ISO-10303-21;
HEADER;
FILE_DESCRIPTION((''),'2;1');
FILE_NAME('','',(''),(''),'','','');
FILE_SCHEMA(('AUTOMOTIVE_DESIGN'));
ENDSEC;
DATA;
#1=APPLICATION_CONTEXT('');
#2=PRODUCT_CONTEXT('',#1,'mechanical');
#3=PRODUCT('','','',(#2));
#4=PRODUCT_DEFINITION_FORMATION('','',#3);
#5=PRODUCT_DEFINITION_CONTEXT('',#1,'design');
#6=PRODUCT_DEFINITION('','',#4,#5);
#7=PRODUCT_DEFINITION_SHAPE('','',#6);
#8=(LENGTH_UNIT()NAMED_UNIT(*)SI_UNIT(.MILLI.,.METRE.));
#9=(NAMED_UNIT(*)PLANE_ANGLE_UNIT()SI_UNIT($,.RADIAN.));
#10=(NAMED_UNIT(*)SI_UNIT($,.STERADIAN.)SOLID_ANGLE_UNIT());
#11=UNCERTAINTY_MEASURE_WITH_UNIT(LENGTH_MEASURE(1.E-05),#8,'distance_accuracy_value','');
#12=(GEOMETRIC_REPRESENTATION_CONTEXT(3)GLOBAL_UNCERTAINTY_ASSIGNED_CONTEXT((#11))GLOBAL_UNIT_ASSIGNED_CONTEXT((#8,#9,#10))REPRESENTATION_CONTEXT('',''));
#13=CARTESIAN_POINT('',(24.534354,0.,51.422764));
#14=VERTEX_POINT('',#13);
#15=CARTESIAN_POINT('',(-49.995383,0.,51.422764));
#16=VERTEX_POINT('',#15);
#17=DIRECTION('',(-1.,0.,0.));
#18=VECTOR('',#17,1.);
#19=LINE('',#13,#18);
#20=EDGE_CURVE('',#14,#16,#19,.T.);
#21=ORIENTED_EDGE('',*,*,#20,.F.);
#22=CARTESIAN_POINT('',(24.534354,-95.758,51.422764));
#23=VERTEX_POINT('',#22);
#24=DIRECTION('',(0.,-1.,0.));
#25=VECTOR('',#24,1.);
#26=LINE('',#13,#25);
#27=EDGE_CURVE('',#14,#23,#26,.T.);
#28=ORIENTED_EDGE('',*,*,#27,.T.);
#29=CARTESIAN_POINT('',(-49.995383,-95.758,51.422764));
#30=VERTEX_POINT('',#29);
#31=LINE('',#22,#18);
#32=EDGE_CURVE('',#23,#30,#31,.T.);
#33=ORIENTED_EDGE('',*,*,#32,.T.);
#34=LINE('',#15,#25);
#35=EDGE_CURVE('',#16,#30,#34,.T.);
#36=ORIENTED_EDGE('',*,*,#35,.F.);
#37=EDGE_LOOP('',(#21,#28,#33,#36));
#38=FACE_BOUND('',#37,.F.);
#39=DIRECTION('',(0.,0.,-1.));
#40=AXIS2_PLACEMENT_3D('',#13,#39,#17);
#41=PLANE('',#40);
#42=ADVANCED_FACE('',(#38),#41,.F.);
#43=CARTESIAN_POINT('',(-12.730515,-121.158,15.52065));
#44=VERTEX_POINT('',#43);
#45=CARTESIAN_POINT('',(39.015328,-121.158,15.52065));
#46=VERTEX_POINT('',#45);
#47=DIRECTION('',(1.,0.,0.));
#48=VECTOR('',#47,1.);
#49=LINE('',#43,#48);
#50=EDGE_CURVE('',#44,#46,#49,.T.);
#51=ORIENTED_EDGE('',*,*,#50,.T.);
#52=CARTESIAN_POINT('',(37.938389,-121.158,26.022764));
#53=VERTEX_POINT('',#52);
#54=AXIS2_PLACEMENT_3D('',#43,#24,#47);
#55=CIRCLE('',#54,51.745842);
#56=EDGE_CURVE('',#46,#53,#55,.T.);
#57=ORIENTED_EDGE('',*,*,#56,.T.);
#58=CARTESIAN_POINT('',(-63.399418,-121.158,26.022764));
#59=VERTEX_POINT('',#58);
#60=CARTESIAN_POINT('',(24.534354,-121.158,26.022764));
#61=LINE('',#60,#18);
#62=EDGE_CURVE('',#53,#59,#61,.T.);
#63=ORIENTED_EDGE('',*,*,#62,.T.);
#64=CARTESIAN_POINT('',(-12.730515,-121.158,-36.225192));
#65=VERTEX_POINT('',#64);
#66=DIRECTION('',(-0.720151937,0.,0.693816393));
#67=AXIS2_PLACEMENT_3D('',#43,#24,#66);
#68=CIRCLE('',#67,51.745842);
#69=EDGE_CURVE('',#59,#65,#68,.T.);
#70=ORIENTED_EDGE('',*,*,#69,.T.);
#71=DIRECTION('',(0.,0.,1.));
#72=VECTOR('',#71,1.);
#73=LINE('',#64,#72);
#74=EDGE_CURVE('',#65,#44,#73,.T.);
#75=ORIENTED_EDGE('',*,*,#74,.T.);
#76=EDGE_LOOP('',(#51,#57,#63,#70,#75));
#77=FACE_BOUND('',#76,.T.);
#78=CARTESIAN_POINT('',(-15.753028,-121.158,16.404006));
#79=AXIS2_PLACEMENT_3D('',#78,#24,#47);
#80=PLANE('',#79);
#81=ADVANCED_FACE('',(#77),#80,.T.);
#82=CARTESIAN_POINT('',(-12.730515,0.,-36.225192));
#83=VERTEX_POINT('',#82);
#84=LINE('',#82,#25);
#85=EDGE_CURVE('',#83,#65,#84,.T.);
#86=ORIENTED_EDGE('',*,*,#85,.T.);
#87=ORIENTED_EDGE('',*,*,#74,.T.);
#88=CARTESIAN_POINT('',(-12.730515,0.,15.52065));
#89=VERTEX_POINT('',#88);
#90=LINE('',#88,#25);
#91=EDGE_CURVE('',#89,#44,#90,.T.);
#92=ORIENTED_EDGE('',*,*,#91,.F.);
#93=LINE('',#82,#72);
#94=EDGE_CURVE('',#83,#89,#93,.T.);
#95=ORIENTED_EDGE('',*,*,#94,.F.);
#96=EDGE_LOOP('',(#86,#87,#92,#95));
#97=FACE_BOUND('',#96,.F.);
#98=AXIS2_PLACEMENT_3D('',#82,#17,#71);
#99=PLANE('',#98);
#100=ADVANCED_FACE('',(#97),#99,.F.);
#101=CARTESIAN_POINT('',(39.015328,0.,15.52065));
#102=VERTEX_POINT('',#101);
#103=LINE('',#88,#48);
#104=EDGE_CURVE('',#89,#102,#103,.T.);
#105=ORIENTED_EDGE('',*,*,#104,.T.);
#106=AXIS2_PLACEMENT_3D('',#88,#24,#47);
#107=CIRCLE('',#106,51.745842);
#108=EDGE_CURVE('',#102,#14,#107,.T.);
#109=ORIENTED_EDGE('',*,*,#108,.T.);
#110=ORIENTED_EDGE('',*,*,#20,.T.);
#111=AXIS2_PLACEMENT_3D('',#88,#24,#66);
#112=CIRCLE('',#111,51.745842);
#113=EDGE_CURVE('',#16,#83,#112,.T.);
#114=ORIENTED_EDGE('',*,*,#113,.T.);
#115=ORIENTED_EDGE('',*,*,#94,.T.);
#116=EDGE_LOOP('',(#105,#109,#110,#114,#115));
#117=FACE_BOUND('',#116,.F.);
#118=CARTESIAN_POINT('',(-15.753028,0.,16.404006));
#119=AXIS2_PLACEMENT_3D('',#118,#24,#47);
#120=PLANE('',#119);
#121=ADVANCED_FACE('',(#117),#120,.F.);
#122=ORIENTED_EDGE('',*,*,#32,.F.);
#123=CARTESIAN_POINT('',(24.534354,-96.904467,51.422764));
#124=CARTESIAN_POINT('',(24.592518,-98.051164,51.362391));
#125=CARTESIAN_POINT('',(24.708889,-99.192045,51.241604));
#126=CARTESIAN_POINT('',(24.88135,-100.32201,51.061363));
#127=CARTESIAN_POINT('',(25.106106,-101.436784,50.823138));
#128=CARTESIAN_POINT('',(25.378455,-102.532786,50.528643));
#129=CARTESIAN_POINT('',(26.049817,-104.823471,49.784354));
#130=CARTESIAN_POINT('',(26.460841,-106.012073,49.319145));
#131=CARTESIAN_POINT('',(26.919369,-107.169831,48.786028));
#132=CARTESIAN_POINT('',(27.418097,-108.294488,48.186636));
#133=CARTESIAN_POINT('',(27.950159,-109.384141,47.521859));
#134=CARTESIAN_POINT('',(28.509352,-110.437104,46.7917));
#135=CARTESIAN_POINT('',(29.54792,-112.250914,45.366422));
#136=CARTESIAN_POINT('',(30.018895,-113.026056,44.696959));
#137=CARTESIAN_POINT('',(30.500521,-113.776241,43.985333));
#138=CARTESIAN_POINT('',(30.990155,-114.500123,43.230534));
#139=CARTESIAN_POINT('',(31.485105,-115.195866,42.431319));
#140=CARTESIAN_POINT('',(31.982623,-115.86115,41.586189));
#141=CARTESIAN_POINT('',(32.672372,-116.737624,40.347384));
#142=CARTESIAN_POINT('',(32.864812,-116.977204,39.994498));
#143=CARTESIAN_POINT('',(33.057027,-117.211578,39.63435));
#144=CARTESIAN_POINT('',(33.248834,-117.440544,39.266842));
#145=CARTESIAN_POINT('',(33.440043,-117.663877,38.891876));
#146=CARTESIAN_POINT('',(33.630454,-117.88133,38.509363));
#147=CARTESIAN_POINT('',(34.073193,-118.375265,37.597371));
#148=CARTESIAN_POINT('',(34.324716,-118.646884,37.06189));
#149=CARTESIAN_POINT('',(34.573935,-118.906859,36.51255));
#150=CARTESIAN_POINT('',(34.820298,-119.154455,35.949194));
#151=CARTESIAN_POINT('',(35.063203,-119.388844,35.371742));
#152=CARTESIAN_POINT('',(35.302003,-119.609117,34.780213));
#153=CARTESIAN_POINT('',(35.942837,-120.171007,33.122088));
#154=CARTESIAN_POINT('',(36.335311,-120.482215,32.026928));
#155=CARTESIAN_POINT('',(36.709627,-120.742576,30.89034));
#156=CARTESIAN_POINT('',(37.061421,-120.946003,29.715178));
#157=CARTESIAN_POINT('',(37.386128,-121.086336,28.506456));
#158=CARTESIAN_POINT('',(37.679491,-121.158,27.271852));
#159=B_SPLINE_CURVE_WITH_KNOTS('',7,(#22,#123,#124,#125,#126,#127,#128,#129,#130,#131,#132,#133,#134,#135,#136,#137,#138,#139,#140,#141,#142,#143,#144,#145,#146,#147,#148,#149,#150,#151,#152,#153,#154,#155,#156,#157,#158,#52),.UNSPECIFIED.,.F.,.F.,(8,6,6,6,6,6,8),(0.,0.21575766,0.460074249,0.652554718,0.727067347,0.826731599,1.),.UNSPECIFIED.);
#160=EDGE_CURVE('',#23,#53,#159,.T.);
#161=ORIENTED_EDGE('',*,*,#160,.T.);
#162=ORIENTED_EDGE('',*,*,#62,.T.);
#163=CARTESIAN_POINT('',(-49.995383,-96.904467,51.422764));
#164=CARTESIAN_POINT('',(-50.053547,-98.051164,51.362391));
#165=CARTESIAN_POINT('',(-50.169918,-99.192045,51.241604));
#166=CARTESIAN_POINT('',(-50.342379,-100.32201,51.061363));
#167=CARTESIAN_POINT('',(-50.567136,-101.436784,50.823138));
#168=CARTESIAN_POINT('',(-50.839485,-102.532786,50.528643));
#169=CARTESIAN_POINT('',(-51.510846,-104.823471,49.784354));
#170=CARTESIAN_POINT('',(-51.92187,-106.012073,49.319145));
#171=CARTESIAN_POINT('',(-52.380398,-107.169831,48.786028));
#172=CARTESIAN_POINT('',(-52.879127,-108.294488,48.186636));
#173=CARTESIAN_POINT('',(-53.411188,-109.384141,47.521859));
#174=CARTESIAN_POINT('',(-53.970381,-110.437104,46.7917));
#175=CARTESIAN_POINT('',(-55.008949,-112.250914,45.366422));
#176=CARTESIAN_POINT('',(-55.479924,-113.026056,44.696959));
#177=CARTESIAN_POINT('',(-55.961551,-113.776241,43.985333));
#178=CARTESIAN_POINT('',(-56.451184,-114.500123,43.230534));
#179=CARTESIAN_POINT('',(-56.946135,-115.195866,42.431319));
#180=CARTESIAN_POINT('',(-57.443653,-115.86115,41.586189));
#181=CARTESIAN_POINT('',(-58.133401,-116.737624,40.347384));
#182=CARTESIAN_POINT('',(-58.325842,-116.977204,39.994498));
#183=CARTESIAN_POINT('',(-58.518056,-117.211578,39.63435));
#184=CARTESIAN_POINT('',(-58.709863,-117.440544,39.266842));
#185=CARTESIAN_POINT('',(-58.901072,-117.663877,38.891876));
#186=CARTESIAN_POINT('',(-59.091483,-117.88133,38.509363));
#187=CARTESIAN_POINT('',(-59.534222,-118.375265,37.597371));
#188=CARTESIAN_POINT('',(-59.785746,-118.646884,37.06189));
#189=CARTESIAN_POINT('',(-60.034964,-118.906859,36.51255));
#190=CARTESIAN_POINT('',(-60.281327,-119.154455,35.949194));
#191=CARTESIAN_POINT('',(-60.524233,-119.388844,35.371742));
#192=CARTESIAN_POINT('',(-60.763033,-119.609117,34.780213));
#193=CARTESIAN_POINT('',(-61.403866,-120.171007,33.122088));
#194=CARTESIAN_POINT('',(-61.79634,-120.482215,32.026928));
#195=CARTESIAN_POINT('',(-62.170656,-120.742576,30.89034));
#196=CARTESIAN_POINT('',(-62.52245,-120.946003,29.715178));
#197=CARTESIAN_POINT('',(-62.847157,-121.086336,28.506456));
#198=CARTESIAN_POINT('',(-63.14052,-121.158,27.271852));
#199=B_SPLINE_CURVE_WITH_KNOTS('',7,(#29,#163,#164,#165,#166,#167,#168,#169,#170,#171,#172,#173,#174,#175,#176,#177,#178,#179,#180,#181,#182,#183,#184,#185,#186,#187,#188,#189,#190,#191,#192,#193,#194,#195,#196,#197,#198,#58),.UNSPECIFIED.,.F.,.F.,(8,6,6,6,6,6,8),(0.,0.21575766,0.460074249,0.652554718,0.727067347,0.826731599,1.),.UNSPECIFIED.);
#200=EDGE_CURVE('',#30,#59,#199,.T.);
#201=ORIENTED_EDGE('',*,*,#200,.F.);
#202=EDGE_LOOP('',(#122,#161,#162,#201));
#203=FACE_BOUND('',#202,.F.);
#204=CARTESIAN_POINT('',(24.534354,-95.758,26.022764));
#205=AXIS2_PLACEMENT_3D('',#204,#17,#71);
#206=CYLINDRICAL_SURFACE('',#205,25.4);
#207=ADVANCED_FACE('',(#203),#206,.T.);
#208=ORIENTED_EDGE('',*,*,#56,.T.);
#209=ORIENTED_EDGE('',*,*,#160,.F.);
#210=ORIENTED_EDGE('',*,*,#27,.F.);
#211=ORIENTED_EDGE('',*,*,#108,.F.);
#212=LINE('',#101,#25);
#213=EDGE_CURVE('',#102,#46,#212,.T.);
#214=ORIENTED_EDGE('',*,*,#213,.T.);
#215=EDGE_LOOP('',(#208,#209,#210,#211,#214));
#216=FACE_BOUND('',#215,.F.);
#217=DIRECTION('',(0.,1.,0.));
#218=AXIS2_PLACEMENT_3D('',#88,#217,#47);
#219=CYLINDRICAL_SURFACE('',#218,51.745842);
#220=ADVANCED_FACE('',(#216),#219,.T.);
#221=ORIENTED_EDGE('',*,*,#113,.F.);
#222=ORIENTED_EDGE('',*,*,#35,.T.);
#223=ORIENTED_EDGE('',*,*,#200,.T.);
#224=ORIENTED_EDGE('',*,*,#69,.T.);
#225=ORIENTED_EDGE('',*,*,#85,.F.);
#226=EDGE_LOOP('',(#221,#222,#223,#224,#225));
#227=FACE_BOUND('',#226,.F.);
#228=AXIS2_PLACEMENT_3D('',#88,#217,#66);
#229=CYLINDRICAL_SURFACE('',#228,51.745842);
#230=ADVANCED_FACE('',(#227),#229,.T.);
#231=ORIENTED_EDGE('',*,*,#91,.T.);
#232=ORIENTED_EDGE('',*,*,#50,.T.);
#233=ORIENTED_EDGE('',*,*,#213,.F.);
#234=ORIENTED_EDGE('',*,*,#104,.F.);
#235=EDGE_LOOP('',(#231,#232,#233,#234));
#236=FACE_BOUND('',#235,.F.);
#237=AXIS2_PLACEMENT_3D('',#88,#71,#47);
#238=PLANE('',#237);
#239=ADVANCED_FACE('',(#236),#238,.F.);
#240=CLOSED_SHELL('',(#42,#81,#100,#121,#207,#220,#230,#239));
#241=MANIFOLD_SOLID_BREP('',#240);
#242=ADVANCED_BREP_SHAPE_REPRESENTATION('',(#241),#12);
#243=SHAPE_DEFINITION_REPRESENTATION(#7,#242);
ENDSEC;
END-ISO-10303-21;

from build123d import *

# Parameters (mm, degrees)
F1_DEPTH = 121.158
F2_R     = 25.4


with BuildPart() as f1:
    # F0 (on Front) → F1 (new body)
    with BuildSketch(Plane.XZ):
        with BuildLine():
            Line((24.5343538996, 51.4227636158), (-49.995383161, 51.4227636158))
            ThreePointArc((-49.995383161, 51.4227636158), (-60.3509792514, -4.7259186533), (-12.7305146307, -36.2251922997))
            Line((-12.7305146307, -36.2251922997), (-12.7305146307, 15.5206499621))
            Line((-12.7305146307, 15.5206499621), (39.0153276312, 15.5206499621))
            ThreePointArc((39.0153276312, 15.5206499621), (35.2587247896, 34.876917455), (24.5343538996, 51.4227636158))
        make_face()
    extrude(amount=F1_DEPTH)

    # F2
    f2_edges = [f1.edges().sort_by_distance(p)[0] for p in [
        (-12.730515, -121.158, 51.422764),
    ]]
    fillet(f2_edges, radius=F2_R)


solid = f1.part
